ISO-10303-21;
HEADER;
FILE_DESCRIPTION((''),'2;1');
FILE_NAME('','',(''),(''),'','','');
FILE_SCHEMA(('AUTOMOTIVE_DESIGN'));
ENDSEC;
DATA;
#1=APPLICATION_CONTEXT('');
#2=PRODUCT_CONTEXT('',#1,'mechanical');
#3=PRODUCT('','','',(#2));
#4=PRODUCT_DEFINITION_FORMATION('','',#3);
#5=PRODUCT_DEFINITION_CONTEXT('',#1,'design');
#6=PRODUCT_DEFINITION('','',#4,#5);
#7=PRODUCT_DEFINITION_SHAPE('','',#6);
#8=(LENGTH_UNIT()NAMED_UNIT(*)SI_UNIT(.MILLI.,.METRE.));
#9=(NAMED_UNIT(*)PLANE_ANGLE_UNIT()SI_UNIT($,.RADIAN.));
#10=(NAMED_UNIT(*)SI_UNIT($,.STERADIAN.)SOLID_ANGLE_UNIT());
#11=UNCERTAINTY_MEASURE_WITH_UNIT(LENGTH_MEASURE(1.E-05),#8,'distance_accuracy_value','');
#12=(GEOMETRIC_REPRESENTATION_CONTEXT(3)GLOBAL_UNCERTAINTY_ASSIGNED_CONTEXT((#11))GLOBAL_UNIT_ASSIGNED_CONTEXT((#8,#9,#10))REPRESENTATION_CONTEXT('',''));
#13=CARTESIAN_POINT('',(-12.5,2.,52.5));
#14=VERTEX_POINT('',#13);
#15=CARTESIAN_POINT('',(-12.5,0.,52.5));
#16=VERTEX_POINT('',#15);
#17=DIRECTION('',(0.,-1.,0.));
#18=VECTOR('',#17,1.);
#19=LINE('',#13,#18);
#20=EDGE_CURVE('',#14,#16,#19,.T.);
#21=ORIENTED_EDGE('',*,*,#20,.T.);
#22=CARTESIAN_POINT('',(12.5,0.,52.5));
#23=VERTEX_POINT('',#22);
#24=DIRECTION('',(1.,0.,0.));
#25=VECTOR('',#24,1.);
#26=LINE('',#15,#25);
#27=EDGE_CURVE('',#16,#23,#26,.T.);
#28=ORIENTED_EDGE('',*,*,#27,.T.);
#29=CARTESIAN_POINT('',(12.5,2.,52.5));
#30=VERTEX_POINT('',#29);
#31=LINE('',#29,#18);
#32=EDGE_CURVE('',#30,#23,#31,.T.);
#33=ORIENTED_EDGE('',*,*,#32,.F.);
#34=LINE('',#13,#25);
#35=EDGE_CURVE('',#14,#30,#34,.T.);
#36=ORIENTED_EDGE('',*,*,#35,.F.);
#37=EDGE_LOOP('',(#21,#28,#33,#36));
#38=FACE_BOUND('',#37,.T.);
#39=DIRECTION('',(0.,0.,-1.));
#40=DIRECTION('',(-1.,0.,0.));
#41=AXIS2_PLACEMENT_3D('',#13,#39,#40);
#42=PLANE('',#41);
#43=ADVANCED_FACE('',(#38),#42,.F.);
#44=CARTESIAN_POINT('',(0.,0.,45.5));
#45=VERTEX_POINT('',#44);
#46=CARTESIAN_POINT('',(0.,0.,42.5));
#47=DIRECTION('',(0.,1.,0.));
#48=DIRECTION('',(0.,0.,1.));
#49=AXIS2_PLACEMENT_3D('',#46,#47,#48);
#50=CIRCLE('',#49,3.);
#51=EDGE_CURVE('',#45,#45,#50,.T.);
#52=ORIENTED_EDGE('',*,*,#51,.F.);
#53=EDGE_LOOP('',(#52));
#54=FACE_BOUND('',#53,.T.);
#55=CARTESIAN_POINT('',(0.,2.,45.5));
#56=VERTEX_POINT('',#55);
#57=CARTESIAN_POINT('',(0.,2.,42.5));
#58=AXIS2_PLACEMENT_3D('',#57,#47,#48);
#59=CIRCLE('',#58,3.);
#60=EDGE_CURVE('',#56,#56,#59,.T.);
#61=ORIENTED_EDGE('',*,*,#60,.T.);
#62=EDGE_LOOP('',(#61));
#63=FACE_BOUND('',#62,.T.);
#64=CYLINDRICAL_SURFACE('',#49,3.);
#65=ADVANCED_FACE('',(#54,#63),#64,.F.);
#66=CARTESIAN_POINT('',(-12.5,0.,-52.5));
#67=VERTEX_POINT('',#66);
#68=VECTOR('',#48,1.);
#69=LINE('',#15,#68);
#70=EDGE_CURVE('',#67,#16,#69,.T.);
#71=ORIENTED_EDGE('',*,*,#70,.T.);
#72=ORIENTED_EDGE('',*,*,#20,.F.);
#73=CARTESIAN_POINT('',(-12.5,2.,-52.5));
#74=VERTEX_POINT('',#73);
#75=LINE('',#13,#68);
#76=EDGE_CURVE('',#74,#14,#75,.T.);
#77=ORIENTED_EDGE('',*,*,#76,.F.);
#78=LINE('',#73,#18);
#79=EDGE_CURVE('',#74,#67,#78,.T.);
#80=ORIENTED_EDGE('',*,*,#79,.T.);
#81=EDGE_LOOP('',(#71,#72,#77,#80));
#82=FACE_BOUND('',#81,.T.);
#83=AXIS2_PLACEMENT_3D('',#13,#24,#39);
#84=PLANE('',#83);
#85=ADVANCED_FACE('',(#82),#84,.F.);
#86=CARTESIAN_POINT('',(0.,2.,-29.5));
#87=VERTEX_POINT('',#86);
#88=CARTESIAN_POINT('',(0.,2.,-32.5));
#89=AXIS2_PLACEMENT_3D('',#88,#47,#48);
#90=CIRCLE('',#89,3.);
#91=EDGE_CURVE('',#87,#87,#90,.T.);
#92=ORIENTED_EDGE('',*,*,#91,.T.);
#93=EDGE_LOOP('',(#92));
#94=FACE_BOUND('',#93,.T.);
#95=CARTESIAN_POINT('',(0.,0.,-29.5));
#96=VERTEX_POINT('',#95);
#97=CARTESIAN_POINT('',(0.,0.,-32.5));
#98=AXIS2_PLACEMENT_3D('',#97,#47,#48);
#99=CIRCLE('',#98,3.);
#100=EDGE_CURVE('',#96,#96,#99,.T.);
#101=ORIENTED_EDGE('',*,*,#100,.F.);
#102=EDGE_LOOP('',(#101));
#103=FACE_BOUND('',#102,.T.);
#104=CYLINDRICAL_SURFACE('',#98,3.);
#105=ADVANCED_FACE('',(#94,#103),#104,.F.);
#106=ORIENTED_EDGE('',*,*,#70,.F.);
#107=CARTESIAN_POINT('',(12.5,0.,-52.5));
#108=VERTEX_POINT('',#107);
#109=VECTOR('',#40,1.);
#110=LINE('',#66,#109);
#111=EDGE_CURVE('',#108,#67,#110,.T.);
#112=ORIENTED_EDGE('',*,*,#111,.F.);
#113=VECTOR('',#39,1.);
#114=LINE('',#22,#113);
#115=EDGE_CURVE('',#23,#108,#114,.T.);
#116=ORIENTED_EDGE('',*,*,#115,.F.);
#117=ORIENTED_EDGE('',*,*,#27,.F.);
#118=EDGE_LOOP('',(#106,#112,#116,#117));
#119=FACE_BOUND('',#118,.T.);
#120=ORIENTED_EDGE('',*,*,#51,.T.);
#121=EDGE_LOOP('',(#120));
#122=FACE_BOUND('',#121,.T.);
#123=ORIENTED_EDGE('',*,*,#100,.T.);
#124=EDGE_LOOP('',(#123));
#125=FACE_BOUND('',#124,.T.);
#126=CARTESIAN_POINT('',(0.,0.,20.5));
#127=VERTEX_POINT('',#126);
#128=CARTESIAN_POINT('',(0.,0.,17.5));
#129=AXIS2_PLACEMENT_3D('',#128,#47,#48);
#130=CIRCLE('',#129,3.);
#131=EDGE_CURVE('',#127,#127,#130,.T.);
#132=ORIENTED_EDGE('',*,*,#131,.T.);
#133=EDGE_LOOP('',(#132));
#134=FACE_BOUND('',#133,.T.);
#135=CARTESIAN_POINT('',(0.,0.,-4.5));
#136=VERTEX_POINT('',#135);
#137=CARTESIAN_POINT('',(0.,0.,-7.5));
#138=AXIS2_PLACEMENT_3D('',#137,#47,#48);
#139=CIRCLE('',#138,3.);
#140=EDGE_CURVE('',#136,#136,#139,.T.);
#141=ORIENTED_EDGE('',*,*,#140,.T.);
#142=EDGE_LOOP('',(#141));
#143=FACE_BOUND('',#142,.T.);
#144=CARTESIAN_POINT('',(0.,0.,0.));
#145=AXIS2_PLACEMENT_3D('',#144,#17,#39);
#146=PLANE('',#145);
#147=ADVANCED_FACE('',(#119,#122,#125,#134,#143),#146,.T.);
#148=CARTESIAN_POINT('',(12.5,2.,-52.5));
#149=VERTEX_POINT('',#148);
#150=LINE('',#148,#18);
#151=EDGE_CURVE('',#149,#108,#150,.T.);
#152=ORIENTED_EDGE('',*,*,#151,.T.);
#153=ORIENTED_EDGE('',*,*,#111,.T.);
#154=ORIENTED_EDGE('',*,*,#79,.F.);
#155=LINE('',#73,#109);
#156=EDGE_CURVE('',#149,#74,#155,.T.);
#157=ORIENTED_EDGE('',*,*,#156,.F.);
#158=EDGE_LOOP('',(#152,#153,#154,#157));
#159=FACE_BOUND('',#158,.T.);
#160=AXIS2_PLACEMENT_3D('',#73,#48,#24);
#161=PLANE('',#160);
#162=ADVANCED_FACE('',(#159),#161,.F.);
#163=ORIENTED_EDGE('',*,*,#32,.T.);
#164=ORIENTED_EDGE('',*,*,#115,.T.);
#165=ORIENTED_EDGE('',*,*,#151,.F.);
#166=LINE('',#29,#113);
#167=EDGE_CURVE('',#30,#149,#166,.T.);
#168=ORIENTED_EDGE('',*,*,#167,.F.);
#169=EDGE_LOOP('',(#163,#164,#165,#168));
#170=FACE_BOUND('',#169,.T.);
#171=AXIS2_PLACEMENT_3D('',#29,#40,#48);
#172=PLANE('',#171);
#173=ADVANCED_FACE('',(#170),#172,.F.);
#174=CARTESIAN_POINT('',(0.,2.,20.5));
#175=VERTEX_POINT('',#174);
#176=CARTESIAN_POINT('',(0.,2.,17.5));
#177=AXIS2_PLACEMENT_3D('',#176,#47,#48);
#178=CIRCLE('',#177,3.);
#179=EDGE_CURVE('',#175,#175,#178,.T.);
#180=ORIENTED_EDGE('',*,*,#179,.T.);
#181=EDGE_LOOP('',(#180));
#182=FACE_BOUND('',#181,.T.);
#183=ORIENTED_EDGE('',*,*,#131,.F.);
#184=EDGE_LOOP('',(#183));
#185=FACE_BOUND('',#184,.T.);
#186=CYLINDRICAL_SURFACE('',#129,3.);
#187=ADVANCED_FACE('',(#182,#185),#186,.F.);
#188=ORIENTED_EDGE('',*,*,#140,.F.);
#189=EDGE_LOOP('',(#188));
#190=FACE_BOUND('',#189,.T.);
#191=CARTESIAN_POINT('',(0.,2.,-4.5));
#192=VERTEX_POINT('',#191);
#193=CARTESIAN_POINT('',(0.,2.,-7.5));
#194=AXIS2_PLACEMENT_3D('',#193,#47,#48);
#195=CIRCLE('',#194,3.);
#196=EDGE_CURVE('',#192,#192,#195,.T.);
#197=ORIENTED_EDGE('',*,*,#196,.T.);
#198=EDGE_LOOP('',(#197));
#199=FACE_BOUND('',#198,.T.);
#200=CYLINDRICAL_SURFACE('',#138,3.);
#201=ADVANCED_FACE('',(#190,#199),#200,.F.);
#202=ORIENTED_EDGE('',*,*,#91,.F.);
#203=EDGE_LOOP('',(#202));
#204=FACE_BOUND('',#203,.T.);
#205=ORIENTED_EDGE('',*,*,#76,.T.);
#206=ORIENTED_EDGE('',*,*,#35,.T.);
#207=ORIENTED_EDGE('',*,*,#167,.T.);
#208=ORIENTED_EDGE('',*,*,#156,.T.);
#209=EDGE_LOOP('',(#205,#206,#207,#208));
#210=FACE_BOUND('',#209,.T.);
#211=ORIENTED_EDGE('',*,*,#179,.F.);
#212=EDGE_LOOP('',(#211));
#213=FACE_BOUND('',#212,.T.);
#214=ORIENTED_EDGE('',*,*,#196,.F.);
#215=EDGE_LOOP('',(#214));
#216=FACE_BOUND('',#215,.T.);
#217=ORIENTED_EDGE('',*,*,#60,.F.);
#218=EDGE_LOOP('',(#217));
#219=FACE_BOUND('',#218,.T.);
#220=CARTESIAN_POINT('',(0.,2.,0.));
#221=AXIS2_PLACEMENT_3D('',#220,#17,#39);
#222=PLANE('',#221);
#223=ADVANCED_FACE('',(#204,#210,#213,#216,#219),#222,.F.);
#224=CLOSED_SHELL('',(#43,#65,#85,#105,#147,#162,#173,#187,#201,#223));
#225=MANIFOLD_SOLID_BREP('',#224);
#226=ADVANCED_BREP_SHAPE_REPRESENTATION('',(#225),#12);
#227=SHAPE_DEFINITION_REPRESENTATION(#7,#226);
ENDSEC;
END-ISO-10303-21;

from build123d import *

# Parameters (mm, degrees)
SKETCH1_W           = 25
SKETCH1_H           = 105
BOSS_EXTRUDE1_DEPTH = 2
SKETCH2_R           = 3
CUT_EXTRUDE1_DEPTH  = 55.004629431


with BuildPart() as part:
    # Sketch1 → Boss-Extrude1 (new body)
    with BuildSketch(Plane(origin=(0, 0, 0), x_dir=(1, 0, 0), z_dir=(0, 1, 0))):
        Rectangle(SKETCH1_W, SKETCH1_H)
    extrude(amount=BOSS_EXTRUDE1_DEPTH)

    # Sketch2 → Cut-Extrude1 (cut, through all)
    with BuildSketch(Plane(origin=(0, 2, 0), x_dir=(1, 0, 0), z_dir=(0, 1, 0))):
        with Locations(Location((0, -42.5, 0), (0, 0, 270))):
            Circle(SKETCH2_R)
        with Locations(Location((0, -17.5, 0), (0, 0, 270))):
            Circle(SKETCH2_R)
        with Locations(Location((0, 7.5, 0), (0, 0, 270))):
            Circle(SKETCH2_R)
        with Locations(Location((0, 32.5, 0), (0, 0, 270))):
            Circle(SKETCH2_R)
    extrude(amount=-CUT_EXTRUDE1_DEPTH, mode=Mode.SUBTRACT)


solid = part.part
